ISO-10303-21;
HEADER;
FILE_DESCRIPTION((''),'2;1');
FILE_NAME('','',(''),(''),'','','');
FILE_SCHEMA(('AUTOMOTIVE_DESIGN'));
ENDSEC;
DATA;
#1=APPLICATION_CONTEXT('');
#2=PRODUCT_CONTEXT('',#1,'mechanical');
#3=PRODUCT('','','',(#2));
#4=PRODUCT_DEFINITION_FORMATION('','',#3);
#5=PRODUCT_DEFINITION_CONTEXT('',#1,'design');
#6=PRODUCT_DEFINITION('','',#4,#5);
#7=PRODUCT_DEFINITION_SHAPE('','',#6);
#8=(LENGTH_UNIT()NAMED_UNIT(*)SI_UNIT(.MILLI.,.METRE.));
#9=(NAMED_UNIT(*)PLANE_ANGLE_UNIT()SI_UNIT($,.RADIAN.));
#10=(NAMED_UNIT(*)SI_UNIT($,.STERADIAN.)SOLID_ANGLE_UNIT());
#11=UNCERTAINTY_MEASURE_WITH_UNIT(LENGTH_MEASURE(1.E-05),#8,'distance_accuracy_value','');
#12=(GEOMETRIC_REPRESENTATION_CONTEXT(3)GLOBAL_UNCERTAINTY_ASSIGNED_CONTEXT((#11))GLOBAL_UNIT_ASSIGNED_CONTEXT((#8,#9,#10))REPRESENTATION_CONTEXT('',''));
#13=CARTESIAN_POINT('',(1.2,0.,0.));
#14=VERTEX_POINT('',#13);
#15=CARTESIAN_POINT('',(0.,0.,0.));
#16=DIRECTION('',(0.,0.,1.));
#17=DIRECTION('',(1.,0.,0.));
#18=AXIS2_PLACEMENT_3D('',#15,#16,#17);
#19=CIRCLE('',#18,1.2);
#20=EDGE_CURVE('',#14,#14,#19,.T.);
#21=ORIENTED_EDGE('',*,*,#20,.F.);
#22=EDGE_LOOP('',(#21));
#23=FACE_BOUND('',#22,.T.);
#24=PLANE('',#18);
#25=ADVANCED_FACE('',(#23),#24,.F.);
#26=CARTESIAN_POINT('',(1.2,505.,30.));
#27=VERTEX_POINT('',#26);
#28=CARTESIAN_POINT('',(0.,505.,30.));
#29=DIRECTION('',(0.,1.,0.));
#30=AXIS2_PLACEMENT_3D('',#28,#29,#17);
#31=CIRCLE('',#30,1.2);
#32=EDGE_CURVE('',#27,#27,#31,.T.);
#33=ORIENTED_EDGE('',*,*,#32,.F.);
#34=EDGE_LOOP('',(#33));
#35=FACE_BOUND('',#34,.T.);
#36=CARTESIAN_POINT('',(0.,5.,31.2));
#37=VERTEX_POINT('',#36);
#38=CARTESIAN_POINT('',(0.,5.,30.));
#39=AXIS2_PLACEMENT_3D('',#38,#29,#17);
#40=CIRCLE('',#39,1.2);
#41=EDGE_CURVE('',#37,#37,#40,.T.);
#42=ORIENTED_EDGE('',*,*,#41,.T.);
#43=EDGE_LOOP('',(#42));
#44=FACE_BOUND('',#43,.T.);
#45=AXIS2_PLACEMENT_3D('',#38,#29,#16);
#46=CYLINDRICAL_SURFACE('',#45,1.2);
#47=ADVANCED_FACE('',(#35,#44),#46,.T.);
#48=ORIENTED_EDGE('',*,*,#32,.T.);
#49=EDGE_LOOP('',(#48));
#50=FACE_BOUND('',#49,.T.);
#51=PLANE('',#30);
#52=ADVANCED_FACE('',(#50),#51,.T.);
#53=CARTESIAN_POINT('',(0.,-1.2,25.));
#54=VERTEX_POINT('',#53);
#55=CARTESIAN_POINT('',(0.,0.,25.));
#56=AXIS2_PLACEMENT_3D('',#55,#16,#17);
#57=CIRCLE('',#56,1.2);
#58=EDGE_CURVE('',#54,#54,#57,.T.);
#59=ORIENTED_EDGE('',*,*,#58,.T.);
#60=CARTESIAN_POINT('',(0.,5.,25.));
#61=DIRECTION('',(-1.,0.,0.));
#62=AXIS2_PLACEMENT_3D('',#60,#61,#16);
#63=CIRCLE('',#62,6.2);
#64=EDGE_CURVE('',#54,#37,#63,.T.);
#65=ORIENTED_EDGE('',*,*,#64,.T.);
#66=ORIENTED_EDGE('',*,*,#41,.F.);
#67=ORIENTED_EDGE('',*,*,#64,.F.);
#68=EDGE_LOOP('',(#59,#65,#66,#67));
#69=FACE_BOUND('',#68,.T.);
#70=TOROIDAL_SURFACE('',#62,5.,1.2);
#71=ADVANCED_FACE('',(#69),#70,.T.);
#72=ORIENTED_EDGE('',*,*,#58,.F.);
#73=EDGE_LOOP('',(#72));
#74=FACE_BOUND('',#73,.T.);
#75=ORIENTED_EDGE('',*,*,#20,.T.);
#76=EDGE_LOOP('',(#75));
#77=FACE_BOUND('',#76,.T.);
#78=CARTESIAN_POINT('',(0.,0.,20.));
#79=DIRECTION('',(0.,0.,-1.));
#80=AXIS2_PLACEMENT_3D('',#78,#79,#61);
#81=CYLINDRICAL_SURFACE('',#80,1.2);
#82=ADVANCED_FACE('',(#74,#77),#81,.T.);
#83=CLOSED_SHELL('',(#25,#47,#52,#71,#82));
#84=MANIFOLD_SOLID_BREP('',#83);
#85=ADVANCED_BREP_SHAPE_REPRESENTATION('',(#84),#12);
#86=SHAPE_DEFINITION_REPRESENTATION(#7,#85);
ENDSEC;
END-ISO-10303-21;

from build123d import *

# Parameters (mm, degrees)
SKETCH_1_R      = 1.2
EXTRUDE_1_DEPTH = 20
SKETCH_2_R      = 1.2


with BuildPart() as part:
    # ｽｹｯﾁ1 → ﾎﾞｽ - 押し出し1 (new body)
    with BuildSketch(Plane.XY):
        Circle(SKETCH_1_R)
    extrude(amount=EXTRUDE_1_DEPTH)

    # ｽｲｰﾌﾟ1: sweep along a path in ｽｹｯﾁ3
    with BuildLine(Plane(origin=(0, 0, 0), x_dir=(0, 0, -1), z_dir=(1, 0, 0))) as sweep_1_path:
        Line((-20, 0), (-25, 0))
        ThreePointArc((-25, 0), (-28.535533906, 1.464466094), (-30, 5))
        Line((-30, 5), (-30, 505))
    # ｽｹｯﾁ2 → ｽｲｰﾌﾟ1 (sweep)
    with BuildSketch(Plane.XY.offset(20)):
        Circle(SKETCH_2_R)
    sweep(path=sweep_1_path.line)


solid = part.part
